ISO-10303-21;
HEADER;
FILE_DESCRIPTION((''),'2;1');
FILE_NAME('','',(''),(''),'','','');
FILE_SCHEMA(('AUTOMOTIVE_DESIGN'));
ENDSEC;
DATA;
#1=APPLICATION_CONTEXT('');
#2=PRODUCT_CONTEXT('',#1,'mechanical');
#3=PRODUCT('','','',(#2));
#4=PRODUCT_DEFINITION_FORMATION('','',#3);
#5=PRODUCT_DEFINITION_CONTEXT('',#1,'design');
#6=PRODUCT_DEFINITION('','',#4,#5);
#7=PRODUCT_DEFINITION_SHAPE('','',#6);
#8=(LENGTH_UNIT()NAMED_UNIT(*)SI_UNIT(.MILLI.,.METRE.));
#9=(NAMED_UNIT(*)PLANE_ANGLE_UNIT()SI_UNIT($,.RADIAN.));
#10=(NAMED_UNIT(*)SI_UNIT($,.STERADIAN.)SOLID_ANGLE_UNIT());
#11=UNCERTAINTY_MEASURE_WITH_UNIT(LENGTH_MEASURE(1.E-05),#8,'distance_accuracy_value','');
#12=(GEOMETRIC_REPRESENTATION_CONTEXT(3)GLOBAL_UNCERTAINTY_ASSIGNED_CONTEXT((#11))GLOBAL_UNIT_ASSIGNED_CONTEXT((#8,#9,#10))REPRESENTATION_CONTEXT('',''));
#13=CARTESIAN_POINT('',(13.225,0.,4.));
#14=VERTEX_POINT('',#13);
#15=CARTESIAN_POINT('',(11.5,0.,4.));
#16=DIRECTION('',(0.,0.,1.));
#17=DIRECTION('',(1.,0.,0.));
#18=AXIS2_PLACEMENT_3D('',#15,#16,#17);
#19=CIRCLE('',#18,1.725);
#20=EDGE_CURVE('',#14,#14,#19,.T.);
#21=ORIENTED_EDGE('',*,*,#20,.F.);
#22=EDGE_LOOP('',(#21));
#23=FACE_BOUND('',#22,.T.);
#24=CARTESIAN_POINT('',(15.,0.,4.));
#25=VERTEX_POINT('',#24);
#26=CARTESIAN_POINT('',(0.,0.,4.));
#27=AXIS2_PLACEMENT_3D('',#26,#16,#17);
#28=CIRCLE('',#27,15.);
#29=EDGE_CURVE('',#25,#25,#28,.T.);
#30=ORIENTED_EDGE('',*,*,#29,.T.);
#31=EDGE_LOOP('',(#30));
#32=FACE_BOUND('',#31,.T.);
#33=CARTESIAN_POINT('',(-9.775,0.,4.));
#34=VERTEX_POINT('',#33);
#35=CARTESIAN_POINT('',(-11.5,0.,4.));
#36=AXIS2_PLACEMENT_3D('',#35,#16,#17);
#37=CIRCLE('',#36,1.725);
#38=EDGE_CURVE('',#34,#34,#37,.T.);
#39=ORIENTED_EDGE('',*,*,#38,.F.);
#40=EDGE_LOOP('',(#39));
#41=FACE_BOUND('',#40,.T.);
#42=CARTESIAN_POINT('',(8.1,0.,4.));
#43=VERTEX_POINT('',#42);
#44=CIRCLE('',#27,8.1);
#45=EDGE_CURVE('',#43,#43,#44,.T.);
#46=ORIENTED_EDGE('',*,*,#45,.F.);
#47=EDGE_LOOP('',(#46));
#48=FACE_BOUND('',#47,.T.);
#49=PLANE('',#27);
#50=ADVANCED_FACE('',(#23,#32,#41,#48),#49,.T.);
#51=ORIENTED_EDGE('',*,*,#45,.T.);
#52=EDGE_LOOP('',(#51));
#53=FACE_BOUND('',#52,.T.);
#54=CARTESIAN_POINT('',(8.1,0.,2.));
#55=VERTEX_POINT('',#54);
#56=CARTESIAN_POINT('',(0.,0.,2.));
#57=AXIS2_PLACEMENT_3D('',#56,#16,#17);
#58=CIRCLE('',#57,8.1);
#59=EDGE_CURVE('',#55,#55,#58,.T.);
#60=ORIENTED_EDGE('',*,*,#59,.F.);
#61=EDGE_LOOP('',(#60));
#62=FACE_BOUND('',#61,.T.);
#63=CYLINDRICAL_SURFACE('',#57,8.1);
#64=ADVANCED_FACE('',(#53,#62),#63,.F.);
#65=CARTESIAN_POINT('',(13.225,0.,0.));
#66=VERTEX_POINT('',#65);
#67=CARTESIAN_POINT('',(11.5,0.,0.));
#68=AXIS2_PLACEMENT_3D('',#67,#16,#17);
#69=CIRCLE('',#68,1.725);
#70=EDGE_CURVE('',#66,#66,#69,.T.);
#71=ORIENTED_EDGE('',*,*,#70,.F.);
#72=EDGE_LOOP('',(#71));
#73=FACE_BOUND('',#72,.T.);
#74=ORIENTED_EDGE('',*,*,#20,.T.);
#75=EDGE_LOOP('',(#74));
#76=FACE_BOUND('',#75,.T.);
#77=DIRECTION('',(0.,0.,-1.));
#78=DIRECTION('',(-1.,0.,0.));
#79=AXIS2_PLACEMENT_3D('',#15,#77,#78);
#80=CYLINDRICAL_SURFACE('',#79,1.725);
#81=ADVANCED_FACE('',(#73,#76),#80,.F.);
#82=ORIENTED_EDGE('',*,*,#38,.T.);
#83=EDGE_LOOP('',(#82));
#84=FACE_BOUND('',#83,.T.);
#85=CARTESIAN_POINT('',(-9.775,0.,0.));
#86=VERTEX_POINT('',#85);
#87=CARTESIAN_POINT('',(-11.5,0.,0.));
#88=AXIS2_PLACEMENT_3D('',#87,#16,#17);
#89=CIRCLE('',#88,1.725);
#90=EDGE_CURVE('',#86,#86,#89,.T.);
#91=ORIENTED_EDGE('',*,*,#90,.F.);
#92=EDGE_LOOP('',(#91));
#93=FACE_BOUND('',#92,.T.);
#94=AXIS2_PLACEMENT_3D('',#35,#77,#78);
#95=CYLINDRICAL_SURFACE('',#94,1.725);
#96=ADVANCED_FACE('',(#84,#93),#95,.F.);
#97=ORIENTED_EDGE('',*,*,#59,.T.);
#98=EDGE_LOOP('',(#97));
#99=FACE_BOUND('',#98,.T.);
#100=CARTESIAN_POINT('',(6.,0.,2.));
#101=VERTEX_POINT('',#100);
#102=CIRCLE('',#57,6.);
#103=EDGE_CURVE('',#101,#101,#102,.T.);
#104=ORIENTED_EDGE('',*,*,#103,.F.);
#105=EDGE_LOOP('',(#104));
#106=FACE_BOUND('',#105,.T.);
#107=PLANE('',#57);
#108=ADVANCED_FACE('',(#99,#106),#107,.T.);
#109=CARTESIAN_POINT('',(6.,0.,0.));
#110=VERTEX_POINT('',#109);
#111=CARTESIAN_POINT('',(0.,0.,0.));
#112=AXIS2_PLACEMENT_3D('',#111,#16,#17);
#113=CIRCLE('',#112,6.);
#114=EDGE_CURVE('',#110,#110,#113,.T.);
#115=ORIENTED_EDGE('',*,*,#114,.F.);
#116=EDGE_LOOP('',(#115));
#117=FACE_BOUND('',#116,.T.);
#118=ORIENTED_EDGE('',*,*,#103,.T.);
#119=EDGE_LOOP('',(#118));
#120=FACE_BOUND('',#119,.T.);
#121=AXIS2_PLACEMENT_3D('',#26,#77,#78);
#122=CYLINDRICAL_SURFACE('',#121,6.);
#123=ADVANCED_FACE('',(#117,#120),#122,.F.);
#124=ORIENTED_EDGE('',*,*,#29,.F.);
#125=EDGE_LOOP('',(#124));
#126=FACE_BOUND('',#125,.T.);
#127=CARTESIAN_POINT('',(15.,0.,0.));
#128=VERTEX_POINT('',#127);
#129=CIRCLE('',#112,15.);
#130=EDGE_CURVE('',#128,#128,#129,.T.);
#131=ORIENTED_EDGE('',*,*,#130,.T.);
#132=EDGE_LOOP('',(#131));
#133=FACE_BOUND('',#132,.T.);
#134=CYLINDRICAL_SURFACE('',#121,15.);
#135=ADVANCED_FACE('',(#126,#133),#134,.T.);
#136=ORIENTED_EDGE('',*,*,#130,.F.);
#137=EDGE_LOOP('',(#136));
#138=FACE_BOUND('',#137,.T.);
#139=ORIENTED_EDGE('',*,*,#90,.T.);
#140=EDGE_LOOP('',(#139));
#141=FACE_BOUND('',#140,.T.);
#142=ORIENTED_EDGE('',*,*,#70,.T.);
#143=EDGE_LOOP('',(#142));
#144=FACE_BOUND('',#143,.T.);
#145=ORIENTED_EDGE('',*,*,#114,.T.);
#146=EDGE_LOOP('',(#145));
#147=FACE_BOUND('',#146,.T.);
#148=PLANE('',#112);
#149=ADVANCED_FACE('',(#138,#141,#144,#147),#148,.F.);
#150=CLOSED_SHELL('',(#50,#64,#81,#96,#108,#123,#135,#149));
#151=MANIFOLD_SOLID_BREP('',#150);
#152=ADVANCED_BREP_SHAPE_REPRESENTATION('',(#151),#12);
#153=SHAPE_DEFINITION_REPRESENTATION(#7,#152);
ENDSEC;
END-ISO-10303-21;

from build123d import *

# Parameters (mm, degrees)
SKETCH1_R           = 15
SKETCH1_R_2         = 6
SKETCH1_R_3         = 1.725
BOSS_EXTRUDE1_DEPTH = 4
CUT_EXTRUDE1_START  = -2
SKETCH2_R           = 8.1
SKETCH2_R_2         = 6
CUT_EXTRUDE1_DEPTH  = 2


with BuildPart() as part:
    # Sketch1 → Boss-Extrude1 (new body)
    with BuildSketch(Plane.XY):
        Circle(SKETCH1_R)
        Circle(SKETCH1_R_2, mode=Mode.SUBTRACT)
        with Locations((-11.5, 0)):
            Circle(SKETCH1_R_3, mode=Mode.SUBTRACT)
        with Locations((11.5, 0)):
            Circle(SKETCH1_R_3, mode=Mode.SUBTRACT)
    extrude(amount=BOSS_EXTRUDE1_DEPTH)

    # Sketch2 → Cut-Extrude1 (cut)
    with BuildSketch(Plane.XY.offset(4).offset(CUT_EXTRUDE1_START)):
        Circle(SKETCH2_R)
        Circle(SKETCH2_R_2, mode=Mode.SUBTRACT)
    extrude(amount=CUT_EXTRUDE1_DEPTH, mode=Mode.SUBTRACT)


solid = part.part
